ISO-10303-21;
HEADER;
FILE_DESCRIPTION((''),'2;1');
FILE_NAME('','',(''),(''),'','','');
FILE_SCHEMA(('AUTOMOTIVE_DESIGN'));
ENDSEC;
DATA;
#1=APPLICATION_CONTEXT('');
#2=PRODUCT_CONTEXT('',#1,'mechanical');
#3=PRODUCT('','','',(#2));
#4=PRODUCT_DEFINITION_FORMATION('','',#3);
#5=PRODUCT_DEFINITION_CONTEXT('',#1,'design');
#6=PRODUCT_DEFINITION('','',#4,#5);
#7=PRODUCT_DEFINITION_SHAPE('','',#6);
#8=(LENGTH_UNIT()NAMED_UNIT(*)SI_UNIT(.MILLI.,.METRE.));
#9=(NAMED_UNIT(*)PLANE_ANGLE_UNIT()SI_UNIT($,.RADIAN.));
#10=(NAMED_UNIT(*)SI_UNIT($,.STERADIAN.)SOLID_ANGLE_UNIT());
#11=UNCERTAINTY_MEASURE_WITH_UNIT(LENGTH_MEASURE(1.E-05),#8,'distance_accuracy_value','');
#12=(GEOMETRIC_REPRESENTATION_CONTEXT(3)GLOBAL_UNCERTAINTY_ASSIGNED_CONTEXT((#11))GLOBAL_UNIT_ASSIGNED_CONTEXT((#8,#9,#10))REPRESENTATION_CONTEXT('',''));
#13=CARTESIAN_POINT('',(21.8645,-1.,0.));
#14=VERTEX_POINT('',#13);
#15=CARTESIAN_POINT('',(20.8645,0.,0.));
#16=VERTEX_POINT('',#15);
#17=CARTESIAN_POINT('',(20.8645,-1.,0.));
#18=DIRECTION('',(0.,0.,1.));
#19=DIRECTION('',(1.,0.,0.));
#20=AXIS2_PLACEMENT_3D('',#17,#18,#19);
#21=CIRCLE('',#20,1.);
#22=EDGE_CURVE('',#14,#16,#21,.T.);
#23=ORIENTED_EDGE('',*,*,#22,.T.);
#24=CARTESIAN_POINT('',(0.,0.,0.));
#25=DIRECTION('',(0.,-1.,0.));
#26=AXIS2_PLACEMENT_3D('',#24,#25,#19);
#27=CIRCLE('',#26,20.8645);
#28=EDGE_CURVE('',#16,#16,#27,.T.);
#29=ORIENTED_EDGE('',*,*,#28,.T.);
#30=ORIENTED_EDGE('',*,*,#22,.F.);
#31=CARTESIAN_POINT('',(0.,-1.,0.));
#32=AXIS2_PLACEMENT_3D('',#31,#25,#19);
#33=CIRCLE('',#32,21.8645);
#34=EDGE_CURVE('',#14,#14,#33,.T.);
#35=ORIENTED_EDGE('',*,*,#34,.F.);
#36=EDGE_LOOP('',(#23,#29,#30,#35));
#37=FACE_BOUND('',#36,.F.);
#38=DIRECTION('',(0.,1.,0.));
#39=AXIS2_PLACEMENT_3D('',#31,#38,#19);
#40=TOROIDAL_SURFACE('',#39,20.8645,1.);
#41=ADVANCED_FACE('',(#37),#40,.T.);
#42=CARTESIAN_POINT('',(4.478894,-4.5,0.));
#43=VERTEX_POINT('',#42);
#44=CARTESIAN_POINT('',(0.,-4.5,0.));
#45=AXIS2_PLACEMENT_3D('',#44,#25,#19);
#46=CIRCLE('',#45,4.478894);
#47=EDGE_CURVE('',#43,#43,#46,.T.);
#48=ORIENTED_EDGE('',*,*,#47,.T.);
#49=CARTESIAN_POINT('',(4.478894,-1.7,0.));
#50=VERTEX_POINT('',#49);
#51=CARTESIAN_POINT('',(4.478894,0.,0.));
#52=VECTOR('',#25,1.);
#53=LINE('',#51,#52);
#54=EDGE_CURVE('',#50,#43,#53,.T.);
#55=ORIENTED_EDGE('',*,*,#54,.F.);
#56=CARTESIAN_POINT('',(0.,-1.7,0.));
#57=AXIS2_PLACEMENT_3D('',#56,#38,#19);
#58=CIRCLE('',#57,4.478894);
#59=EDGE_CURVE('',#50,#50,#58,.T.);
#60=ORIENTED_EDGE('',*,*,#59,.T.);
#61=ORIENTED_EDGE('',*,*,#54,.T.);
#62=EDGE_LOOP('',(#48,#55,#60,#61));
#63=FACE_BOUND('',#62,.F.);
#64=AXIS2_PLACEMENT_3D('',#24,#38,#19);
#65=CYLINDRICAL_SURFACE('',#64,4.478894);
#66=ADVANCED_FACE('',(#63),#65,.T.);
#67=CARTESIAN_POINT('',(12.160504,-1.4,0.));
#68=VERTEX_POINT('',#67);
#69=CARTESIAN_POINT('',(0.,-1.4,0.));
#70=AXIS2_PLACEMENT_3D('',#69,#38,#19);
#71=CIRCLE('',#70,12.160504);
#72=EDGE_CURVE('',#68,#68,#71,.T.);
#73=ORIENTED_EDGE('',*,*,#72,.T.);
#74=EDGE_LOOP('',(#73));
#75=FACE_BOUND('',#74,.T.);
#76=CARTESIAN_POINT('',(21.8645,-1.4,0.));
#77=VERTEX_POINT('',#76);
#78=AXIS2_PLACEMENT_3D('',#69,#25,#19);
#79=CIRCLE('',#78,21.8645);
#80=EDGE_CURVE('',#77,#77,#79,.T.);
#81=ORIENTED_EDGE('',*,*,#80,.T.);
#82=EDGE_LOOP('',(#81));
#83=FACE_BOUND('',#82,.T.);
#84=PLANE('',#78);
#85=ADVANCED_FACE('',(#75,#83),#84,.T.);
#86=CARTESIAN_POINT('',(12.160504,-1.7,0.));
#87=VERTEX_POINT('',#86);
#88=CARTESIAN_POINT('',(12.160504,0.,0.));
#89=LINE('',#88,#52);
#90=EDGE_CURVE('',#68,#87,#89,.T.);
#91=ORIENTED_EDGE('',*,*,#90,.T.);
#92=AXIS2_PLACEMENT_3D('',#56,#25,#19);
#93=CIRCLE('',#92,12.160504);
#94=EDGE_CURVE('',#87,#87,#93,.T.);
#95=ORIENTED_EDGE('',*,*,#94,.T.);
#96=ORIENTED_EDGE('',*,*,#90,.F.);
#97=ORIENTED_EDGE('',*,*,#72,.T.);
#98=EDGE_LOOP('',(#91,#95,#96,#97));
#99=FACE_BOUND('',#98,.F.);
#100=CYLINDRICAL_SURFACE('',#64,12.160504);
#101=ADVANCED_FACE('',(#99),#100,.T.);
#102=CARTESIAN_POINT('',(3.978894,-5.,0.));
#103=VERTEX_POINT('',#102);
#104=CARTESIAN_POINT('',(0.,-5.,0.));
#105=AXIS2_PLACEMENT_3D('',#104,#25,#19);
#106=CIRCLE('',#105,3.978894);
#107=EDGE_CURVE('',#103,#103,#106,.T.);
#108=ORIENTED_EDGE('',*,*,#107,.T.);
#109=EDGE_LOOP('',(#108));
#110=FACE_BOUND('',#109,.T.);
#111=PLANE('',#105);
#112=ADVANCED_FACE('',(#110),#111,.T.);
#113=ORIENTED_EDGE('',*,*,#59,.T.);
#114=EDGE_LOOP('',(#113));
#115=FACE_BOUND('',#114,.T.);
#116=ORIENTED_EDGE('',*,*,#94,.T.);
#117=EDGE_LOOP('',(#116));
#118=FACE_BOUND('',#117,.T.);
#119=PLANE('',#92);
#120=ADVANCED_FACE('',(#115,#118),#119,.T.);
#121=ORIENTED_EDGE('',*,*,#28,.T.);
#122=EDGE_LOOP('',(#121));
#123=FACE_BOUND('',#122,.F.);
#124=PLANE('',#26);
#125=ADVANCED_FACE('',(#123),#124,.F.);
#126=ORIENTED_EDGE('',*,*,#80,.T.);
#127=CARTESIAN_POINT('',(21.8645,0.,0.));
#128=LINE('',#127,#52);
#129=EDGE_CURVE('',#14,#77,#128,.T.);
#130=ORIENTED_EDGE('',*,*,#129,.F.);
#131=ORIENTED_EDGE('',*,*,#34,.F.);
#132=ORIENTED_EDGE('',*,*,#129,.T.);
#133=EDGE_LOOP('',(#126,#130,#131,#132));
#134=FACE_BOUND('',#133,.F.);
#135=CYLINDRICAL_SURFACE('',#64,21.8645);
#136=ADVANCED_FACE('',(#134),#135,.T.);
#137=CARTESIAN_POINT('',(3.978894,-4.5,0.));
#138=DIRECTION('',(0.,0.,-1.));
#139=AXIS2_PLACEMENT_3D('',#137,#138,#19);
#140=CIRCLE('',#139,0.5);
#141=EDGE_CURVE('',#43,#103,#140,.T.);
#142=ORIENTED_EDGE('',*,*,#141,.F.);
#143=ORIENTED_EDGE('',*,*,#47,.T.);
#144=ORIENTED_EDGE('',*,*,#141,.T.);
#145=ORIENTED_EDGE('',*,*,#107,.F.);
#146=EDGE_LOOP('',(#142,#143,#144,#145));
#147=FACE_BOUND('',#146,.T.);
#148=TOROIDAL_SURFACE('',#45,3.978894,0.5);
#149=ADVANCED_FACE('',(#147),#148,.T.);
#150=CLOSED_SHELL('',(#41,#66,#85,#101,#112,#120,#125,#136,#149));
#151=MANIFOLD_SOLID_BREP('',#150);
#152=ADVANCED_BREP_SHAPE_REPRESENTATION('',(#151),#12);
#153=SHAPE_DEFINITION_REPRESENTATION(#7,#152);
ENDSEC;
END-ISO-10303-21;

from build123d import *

# Parameters (mm, degrees)
F2_R     = 4.478894
F3_DEPTH = 5
F1_R     = 12.160504
F4_DEPTH = 1.7
F0_R     = 21.8645
F5_DEPTH = 1.4
F6_R     = 1
F7_R     = 0.5


with BuildPart() as f3:
    # F2 (on Front) → F3 (new body)
    with BuildSketch(Plane.XZ):
        Circle(F2_R)
    extrude(amount=F3_DEPTH)

    # F1 (on Front) → F4 (join)
    with BuildSketch(Plane.XZ):
        Circle(F1_R)
    extrude(amount=F4_DEPTH)

    # F0 (on Front) → F5 (join)
    with BuildSketch(Plane.XZ):
        Circle(F0_R)
    extrude(amount=F5_DEPTH)

    # F6
    f6_edges = [f3.edges().sort_by_distance(p)[0] for p in [
        (-21.8645, 0, 0),
    ]]
    fillet(f6_edges, radius=F6_R)

    # F7
    f7_edges = [f3.edges().sort_by_distance(p)[0] for p in [
        (-4.478894, -5, 0),
    ]]
    fillet(f7_edges, radius=F7_R)


solid = f3.part
